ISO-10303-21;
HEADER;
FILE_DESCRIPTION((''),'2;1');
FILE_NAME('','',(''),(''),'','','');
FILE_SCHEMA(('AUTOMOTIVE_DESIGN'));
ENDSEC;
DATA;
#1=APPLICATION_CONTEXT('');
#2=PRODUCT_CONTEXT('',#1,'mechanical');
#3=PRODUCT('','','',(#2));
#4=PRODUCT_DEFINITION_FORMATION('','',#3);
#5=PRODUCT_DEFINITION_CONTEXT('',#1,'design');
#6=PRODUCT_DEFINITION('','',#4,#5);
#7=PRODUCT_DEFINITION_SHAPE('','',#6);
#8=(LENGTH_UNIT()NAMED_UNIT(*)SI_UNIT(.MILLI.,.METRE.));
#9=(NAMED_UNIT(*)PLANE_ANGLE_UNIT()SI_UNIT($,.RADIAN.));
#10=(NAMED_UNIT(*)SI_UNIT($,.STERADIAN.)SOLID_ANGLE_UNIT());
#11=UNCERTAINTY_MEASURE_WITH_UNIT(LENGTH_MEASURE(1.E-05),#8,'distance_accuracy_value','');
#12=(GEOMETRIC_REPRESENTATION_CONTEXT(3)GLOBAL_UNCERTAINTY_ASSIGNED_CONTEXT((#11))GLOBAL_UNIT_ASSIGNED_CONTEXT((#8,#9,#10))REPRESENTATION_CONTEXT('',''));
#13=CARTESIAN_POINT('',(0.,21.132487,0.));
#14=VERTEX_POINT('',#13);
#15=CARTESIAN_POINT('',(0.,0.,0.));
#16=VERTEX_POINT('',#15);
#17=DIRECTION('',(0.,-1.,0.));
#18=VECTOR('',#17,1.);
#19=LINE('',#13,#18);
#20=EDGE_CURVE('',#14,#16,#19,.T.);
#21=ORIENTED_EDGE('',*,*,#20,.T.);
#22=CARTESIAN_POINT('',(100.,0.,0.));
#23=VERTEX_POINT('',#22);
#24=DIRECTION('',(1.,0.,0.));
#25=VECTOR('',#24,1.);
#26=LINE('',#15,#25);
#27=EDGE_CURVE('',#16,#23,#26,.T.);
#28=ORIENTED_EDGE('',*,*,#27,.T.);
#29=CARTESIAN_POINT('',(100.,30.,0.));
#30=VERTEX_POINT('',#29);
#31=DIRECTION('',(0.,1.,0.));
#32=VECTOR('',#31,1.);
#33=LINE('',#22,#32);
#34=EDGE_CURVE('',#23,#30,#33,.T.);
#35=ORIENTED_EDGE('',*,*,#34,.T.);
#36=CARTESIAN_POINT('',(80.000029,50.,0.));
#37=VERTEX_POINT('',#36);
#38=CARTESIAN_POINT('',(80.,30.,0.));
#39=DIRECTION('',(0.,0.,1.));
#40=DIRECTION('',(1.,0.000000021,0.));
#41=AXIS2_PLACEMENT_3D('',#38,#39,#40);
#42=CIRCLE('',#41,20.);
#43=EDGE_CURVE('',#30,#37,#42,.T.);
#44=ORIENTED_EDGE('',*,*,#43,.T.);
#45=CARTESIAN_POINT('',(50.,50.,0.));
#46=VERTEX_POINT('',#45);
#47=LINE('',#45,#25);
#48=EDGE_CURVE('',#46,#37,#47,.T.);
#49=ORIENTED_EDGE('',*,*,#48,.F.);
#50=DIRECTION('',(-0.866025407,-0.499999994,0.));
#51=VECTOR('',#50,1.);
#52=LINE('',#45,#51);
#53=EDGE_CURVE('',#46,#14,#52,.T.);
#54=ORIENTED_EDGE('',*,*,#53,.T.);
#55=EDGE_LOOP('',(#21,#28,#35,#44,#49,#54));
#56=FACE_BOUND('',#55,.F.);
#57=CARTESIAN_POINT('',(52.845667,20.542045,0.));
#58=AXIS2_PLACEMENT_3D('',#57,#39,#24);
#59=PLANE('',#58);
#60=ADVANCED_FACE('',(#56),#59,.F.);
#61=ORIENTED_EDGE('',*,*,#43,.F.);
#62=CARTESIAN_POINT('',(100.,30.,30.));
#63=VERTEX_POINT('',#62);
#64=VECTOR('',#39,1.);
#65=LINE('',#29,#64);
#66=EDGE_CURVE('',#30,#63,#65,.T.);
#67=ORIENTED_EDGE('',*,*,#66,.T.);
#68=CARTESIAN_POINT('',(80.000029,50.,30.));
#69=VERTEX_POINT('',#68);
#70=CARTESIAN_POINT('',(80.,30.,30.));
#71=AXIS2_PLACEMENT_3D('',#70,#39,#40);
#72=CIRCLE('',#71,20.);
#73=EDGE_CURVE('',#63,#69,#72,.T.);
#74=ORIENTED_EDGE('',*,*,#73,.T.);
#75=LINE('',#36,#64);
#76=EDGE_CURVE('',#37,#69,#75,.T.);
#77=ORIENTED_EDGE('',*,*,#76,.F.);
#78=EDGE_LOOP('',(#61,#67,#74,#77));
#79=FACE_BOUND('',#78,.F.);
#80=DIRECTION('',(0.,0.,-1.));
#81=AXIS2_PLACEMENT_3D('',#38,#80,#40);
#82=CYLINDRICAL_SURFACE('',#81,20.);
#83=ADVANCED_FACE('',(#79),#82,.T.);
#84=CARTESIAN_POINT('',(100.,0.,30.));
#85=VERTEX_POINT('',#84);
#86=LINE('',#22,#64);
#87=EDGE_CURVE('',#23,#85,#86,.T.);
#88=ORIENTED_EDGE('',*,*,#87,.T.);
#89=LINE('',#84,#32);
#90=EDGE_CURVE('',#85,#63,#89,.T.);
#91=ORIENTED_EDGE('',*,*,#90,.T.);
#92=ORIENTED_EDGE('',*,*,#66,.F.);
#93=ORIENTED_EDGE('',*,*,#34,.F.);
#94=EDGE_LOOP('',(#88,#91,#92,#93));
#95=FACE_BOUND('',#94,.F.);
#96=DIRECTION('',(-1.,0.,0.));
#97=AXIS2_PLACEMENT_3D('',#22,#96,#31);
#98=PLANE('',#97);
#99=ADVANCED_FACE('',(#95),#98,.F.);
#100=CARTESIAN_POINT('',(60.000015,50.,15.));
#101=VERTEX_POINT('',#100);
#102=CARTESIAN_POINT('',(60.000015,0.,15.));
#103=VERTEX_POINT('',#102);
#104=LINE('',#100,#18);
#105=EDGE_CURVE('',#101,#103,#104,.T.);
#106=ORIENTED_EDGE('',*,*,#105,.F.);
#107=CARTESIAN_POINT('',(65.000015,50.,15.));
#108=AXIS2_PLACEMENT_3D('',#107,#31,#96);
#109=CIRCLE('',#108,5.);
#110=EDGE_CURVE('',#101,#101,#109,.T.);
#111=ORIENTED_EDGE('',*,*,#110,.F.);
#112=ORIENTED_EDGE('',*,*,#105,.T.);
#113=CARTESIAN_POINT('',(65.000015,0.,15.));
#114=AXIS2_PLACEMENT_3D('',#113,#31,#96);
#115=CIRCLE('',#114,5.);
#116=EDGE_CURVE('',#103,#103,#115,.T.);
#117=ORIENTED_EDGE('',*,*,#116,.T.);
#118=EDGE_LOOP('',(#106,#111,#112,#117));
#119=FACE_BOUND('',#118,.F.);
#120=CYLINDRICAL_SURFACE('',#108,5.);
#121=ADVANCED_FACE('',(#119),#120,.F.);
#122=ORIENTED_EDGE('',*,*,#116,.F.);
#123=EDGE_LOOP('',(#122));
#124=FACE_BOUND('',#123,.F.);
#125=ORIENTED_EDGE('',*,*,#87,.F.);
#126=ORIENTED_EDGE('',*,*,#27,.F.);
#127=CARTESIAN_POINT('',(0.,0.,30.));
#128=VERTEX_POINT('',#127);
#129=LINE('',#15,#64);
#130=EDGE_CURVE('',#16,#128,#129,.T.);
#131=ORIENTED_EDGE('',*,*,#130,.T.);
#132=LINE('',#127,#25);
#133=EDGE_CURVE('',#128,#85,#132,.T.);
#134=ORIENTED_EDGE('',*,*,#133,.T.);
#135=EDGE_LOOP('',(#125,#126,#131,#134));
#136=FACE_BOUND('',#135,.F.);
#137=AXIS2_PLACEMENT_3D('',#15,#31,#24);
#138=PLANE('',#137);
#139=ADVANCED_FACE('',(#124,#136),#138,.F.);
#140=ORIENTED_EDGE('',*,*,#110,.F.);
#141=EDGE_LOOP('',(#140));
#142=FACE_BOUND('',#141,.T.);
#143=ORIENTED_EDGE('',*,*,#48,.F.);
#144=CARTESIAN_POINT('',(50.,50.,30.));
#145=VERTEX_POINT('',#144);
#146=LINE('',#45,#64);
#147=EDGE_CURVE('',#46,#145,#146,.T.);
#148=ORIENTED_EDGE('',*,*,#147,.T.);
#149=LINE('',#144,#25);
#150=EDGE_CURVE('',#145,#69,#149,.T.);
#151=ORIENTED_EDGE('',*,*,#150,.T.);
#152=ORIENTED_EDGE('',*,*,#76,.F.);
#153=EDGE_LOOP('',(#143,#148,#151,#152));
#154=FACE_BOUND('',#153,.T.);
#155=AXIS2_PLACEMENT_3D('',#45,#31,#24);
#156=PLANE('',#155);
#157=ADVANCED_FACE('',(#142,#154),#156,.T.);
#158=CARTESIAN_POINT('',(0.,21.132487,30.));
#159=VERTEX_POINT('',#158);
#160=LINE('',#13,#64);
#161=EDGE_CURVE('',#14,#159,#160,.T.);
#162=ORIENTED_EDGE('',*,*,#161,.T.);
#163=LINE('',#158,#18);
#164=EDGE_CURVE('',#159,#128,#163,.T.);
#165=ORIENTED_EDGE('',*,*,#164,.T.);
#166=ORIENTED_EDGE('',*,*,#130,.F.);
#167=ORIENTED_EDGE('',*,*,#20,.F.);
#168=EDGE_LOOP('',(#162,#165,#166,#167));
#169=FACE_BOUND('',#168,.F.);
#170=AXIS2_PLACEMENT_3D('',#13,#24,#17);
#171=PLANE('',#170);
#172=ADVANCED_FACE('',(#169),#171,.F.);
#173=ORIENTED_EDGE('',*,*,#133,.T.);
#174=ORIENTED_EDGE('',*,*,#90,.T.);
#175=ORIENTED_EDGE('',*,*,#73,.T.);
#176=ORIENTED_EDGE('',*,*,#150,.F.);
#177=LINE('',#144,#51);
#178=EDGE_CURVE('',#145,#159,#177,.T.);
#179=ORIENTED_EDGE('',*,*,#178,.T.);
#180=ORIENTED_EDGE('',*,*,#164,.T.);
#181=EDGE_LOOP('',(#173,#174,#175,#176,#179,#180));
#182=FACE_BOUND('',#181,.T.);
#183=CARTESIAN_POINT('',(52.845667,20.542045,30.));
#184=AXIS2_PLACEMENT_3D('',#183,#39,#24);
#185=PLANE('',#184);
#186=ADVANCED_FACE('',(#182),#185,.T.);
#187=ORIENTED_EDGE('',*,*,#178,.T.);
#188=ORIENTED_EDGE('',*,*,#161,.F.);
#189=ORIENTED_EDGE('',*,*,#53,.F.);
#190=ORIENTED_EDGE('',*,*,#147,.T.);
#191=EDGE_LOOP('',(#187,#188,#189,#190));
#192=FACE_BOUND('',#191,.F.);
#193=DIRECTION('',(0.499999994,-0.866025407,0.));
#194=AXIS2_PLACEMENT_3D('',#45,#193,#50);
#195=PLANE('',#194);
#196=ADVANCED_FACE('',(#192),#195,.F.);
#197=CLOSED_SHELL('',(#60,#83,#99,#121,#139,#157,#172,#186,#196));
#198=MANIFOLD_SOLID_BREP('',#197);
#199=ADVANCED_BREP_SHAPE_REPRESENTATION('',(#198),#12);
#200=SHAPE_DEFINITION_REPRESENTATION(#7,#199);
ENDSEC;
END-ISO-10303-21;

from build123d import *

# Parameters (mm, degrees)
PAD_DEPTH    = 30
SKETCH001_R  = 5
POCKET_DEPTH = 50.001


with BuildPart() as part:
    # Sketch → Pad (new body)
    with BuildSketch(Plane.XY):
        with BuildLine():
            Line((0, 0), (100, 0))
            Line((100, 0), (100, 30))
            ThreePointArc((100, 30), (94.142146, 44.142125), (80.000029, 50))
            Line((50, 50), (80.000029, 50))
            Line((50, 50), (0, 21.132487))
            Line((0, 21.132487), (0, 0))
        make_face()
    extrude(amount=PAD_DEPTH)

    # Sketch001 (on DatumPlane) → Pocket (cut, through all)
    with BuildSketch(Plane(origin=(65.000015, 50, 15), x_dir=(-1, 0, 0), z_dir=(0, 1, 0))):
        Circle(SKETCH001_R)
    extrude(amount=-POCKET_DEPTH, mode=Mode.SUBTRACT)


solid = part.part
